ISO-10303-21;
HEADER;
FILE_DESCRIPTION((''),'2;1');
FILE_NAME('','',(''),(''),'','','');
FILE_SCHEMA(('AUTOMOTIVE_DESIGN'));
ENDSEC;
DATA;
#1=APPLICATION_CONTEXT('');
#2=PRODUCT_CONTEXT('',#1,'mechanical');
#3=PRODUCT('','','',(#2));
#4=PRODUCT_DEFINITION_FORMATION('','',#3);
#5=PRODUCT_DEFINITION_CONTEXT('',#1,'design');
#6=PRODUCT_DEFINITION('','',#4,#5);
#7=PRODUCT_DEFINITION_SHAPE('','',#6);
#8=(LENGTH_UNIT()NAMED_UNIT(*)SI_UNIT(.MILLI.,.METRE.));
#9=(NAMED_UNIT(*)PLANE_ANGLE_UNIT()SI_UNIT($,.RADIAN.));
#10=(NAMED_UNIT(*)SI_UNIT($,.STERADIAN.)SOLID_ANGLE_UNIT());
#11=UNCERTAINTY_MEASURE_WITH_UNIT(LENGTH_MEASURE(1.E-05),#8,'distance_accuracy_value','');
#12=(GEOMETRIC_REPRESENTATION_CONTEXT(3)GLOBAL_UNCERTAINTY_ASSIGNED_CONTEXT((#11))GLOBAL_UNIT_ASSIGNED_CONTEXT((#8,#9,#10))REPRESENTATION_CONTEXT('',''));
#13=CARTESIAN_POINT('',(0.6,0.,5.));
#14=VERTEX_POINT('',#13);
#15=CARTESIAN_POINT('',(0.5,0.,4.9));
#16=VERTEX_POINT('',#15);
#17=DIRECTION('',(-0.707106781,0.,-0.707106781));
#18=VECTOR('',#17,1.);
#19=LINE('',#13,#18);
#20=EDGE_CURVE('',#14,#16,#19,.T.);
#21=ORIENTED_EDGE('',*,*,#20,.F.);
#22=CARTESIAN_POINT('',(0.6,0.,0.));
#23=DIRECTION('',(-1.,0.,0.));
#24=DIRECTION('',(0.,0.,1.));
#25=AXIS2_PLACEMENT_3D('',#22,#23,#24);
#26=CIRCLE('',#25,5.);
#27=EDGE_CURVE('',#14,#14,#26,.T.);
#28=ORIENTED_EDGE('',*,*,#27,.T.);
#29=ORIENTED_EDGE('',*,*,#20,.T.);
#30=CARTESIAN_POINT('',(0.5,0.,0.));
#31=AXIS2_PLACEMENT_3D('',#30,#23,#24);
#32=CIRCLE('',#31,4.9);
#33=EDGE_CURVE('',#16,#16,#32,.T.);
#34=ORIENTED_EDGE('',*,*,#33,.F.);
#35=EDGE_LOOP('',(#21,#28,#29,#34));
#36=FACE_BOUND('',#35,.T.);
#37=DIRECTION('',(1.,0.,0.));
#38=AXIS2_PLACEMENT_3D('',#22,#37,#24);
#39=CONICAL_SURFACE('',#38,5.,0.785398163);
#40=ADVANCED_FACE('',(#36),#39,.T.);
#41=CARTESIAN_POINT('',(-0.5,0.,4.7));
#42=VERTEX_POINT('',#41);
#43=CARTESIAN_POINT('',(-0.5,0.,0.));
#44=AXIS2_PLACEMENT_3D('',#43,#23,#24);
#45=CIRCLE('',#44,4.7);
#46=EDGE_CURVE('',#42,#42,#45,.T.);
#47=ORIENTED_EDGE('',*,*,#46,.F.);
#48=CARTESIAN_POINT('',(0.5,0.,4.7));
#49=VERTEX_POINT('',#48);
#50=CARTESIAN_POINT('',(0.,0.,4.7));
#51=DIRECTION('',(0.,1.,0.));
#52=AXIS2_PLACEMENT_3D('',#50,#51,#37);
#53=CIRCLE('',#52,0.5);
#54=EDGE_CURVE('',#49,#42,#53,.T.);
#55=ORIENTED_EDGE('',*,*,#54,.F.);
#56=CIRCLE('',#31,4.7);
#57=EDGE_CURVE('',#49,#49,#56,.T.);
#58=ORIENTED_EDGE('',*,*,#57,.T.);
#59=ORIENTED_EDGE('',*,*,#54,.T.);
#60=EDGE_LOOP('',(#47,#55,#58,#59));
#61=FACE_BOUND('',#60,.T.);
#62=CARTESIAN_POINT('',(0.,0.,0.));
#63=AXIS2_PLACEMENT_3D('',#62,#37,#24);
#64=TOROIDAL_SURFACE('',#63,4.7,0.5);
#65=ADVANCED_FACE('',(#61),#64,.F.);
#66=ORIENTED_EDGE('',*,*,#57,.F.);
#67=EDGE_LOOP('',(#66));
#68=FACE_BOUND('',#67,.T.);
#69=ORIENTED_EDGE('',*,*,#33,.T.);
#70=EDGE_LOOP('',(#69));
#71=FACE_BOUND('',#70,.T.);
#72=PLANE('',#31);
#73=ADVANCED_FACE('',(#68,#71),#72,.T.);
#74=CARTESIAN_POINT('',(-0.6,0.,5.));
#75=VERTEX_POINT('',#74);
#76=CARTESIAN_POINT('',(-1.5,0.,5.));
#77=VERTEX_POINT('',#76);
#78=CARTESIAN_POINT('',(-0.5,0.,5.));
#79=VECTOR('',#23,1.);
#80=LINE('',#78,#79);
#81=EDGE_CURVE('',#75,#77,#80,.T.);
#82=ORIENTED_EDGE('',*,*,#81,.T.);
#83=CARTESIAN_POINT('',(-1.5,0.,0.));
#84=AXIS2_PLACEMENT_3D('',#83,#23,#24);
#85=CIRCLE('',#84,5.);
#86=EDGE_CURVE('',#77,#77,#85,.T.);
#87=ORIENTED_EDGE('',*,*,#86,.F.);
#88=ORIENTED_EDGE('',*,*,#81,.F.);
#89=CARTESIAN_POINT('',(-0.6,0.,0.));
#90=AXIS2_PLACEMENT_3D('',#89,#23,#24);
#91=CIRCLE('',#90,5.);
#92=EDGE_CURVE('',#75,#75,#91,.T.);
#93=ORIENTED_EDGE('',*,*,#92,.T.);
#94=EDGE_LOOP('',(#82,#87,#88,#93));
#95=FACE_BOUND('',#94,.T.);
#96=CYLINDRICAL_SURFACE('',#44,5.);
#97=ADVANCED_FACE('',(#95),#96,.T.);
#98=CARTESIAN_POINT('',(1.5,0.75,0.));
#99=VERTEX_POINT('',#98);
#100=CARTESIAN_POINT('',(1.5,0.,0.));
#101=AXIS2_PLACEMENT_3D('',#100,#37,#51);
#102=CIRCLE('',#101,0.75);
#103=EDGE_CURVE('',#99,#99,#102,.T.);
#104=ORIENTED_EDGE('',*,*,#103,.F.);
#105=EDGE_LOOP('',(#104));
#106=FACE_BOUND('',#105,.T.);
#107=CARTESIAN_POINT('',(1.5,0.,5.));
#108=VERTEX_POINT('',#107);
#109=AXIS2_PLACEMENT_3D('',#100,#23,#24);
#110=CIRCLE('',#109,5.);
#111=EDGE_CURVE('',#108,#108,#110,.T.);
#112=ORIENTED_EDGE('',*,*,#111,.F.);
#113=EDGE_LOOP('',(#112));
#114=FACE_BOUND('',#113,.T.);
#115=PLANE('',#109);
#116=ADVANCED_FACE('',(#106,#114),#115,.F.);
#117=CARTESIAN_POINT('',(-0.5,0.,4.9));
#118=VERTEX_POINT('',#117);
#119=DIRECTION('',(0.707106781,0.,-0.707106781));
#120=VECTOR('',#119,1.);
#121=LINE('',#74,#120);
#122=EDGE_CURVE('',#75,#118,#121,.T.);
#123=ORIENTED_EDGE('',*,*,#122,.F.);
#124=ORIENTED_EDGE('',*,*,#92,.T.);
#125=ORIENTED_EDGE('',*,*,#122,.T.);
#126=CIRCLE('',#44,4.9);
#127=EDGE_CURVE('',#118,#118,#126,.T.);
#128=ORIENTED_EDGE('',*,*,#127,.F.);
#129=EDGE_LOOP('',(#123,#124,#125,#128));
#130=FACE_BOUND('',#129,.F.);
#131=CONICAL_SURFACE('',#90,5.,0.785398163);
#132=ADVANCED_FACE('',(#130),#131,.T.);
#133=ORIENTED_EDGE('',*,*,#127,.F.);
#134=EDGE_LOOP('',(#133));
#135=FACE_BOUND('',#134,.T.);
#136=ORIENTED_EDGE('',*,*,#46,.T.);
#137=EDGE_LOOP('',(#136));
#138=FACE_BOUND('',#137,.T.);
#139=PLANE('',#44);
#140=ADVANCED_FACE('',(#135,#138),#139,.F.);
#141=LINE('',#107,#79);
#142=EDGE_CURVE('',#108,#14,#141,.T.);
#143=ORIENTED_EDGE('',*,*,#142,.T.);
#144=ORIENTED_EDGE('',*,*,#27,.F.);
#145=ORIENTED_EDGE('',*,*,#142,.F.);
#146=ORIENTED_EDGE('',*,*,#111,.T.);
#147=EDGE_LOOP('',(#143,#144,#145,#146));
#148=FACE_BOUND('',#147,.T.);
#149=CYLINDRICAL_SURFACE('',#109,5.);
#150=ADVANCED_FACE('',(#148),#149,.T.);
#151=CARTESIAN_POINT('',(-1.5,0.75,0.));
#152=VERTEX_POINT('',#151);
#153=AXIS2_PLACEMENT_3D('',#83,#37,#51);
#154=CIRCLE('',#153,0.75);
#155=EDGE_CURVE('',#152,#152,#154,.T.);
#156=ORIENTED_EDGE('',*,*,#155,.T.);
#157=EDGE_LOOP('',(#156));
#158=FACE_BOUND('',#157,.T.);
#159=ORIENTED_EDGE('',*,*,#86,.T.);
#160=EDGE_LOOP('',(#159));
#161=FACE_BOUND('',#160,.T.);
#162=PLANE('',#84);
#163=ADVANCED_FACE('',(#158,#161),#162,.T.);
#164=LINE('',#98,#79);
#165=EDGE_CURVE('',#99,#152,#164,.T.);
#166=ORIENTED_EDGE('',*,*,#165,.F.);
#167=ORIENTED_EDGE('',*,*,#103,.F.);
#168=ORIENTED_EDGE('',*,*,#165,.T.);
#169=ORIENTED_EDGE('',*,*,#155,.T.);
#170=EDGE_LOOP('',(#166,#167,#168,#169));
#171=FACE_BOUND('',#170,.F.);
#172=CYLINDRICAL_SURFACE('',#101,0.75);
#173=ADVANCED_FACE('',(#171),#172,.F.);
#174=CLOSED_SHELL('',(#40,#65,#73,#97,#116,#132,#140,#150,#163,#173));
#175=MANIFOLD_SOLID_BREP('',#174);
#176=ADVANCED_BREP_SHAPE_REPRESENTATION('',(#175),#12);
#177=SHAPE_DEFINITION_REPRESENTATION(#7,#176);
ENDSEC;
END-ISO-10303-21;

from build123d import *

# Parameters (mm, degrees)
F2_R     = 0.75
F3_DEPTH = 3
F4_SIZE  = 0.1


with BuildPart() as f1:
    # F0 (on Front) → F1 (revolve)
    with BuildSketch(Plane.XZ):
        with BuildLine():
            Line((-1.5, 0), (0, 0))
            Line((0, 0), (1.5, 0))
            Line((1.5, 0), (1.5, 5))
            Line((1.5, 5), (0.5, 5))
            Line((0.5, 5), (0.5, 4.7))
            ThreePointArc((0.5, 4.7), (0, 4.2), (-0.5, 4.7))
            Line((-0.5, 4.7), (-0.5, 5))
            Line((-0.5, 5), (-1.5, 5))
            Line((-1.5, 5), (-1.5, 0))
        make_face()
    revolve(axis=Axis((-0.75, 0, 0), (-1, 0, 0)))

    # F2 (on face) → F3 (cut, through all)
    with BuildSketch(Plane.YZ.offset(1.5)):
        Circle(F2_R)
    extrude(amount=-F3_DEPTH, mode=Mode.SUBTRACT)

    # F4
    f4_edges = [f1.edges().sort_by_distance(p)[0] for p in [
        (0.5, 0, -5),
        (-0.5, 0, -5),
    ]]
    chamfer(f4_edges, length=F4_SIZE)


solid = f1.part
